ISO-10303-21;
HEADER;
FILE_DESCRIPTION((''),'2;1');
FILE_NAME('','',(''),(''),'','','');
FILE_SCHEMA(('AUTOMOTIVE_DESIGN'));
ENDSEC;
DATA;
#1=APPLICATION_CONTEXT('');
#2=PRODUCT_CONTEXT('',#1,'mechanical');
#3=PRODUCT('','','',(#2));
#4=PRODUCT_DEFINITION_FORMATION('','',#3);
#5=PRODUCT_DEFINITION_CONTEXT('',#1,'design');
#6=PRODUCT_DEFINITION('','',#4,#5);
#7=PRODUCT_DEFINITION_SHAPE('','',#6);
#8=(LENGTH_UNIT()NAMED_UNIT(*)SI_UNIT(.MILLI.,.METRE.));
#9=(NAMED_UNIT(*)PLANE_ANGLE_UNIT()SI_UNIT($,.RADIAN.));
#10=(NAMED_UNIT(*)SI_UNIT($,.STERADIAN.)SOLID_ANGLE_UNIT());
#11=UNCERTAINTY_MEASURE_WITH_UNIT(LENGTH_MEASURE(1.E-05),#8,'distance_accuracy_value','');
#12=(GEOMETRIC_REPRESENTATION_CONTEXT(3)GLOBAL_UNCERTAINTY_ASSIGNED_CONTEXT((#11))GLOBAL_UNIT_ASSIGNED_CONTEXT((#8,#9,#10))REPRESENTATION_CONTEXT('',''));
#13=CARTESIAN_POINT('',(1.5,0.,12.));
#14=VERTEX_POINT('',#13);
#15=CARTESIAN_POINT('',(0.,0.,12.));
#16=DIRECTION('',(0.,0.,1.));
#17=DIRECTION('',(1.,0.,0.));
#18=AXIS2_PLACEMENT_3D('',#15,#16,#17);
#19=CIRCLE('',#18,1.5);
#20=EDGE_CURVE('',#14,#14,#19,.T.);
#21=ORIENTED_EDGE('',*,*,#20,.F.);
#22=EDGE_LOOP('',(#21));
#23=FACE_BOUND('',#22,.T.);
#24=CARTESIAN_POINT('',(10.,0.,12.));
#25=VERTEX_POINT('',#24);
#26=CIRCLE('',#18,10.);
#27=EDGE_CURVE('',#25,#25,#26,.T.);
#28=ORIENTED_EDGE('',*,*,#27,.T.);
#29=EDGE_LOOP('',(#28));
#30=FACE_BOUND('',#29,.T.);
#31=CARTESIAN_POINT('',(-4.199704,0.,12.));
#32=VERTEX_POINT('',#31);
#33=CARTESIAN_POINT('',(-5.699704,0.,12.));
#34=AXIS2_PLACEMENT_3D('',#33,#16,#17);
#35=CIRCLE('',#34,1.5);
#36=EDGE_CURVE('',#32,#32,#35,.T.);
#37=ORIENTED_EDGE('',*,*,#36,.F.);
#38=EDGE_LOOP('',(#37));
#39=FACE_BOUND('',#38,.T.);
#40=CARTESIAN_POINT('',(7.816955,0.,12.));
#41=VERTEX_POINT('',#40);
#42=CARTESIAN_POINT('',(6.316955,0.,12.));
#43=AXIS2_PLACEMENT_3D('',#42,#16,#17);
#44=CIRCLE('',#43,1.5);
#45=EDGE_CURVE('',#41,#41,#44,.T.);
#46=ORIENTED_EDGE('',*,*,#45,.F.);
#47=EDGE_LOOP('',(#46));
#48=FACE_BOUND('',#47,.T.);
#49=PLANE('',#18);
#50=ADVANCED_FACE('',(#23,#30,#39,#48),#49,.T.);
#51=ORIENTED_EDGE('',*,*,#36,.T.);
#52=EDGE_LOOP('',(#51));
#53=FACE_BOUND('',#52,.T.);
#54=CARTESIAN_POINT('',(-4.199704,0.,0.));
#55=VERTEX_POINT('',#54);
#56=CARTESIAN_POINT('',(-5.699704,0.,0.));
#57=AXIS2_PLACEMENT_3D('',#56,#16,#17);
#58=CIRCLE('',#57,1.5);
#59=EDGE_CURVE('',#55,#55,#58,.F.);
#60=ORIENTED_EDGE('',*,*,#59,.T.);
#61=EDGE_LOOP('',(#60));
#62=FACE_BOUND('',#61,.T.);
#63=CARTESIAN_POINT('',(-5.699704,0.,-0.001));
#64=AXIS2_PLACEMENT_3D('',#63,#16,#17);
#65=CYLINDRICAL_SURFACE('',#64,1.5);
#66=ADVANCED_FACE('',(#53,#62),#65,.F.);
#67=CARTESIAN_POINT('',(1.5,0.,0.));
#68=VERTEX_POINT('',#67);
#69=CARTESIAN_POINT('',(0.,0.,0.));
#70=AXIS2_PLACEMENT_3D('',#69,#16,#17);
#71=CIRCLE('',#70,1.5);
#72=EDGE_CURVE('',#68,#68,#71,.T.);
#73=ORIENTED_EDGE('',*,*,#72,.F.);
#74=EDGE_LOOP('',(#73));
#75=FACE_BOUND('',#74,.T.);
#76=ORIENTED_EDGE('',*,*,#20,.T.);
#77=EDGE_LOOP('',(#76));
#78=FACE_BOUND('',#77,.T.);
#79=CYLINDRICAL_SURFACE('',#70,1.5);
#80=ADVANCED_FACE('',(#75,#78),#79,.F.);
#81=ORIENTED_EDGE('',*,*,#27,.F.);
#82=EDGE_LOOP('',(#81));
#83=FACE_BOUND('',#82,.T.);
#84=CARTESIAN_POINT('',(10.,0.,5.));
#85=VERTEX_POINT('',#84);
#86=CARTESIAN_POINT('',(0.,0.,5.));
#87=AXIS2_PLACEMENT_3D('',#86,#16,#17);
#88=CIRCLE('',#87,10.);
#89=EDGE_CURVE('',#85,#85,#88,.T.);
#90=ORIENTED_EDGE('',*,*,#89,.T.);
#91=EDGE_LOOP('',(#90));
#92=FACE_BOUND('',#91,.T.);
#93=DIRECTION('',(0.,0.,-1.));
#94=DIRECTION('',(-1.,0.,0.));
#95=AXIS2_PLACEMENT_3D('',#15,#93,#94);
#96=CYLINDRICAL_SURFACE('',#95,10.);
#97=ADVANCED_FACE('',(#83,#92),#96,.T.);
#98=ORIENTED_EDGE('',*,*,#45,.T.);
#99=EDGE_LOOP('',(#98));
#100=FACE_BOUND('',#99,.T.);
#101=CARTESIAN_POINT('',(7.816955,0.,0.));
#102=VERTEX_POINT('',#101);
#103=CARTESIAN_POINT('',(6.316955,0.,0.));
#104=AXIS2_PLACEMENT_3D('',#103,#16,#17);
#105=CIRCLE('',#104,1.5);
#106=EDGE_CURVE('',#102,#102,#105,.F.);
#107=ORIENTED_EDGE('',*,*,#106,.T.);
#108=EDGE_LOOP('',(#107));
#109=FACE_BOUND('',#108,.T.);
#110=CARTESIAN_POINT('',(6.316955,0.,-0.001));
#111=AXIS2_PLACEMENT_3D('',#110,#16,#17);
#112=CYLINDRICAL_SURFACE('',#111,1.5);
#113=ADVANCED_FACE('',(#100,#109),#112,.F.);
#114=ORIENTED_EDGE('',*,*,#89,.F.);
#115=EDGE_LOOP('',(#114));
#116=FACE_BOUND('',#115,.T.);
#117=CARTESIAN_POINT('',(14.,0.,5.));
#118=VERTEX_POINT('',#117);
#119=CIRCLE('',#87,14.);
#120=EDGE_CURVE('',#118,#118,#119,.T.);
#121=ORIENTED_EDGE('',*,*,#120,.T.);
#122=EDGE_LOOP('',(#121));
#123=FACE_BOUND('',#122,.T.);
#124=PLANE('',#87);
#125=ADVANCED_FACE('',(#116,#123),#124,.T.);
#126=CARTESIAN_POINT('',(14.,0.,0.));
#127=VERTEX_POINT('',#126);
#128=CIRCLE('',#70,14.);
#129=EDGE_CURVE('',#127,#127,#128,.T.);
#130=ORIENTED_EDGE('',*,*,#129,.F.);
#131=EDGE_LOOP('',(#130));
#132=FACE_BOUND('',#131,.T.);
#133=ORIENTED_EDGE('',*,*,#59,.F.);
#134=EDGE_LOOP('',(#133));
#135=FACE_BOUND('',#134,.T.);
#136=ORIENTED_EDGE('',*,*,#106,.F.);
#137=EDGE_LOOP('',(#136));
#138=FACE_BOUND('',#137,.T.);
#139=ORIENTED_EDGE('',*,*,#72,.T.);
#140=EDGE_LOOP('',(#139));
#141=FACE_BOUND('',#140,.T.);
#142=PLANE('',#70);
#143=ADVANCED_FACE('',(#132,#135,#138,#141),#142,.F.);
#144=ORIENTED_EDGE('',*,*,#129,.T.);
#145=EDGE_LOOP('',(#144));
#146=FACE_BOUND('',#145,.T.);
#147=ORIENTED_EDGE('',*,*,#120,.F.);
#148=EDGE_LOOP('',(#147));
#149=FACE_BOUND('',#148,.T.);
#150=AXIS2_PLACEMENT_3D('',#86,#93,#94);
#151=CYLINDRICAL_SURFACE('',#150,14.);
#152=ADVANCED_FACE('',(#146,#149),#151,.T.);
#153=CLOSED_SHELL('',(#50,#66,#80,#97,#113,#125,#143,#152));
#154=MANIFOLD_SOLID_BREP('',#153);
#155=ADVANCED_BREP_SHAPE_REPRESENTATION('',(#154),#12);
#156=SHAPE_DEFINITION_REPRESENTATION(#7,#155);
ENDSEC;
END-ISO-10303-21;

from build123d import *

# Parameters (mm, degrees)
SKETCH1_R           = 14
BOSS_EXTRUDE1_DEPTH = 5
SKETCH2_R           = 10
BOSS_EXTRUDE2_DEPTH = 7
SKETCH3_R           = 1.5
CUT_EXTRUDE1_DEPTH  = 24.151673806
CUT_EXTRUDE2_REACH  = 25.152
SKETCH4_R           = 1.5


with BuildPart() as part:
    # Sketch1 → Boss-Extrude1 (new body)
    with BuildSketch(Plane.XY):
        Circle(SKETCH1_R)
    extrude(amount=BOSS_EXTRUDE1_DEPTH)

    # Sketch2 → Boss-Extrude2 (add)
    with BuildSketch(Plane.XY.offset(5)):
        Circle(SKETCH2_R)
    extrude(amount=BOSS_EXTRUDE2_DEPTH)

    # Sketch3 → Cut-Extrude1 (cut, through all)
    with BuildSketch(Plane.XY.offset(12)):
        Circle(SKETCH3_R)
    extrude(amount=-CUT_EXTRUDE1_DEPTH, mode=Mode.SUBTRACT)

    # Sketch4 → Cut-Extrude2 (cut, up to next)
    with BuildSketch(Plane.XY.offset(12), mode=Mode.PRIVATE) as cut_extrude2_sk1:
        with Locations((-5.699704026, 0)):
            Circle(SKETCH4_R)
    cut_extrude2_tool1 = extrude(cut_extrude2_sk1.sketch, amount=-CUT_EXTRUDE2_REACH, mode=Mode.PRIVATE) & part.part
    # Sketch4 → Cut-Extrude2 (cut, up to next)
    with BuildSketch(Plane.XY.offset(12), mode=Mode.PRIVATE) as cut_extrude2_sk2:
        with Locations((6.316954824, 0)):
            Circle(SKETCH4_R)
    cut_extrude2_tool2 = extrude(cut_extrude2_sk2.sketch, amount=-CUT_EXTRUDE2_REACH, mode=Mode.PRIVATE) & part.part
    add(cut_extrude2_tool1.solids().sort_by_distance((-5.699704, 0, 12))[0], mode=Mode.SUBTRACT)
    add(cut_extrude2_tool2.solids().sort_by_distance((6.316955, 0, 12))[0], mode=Mode.SUBTRACT)


solid = part.part
